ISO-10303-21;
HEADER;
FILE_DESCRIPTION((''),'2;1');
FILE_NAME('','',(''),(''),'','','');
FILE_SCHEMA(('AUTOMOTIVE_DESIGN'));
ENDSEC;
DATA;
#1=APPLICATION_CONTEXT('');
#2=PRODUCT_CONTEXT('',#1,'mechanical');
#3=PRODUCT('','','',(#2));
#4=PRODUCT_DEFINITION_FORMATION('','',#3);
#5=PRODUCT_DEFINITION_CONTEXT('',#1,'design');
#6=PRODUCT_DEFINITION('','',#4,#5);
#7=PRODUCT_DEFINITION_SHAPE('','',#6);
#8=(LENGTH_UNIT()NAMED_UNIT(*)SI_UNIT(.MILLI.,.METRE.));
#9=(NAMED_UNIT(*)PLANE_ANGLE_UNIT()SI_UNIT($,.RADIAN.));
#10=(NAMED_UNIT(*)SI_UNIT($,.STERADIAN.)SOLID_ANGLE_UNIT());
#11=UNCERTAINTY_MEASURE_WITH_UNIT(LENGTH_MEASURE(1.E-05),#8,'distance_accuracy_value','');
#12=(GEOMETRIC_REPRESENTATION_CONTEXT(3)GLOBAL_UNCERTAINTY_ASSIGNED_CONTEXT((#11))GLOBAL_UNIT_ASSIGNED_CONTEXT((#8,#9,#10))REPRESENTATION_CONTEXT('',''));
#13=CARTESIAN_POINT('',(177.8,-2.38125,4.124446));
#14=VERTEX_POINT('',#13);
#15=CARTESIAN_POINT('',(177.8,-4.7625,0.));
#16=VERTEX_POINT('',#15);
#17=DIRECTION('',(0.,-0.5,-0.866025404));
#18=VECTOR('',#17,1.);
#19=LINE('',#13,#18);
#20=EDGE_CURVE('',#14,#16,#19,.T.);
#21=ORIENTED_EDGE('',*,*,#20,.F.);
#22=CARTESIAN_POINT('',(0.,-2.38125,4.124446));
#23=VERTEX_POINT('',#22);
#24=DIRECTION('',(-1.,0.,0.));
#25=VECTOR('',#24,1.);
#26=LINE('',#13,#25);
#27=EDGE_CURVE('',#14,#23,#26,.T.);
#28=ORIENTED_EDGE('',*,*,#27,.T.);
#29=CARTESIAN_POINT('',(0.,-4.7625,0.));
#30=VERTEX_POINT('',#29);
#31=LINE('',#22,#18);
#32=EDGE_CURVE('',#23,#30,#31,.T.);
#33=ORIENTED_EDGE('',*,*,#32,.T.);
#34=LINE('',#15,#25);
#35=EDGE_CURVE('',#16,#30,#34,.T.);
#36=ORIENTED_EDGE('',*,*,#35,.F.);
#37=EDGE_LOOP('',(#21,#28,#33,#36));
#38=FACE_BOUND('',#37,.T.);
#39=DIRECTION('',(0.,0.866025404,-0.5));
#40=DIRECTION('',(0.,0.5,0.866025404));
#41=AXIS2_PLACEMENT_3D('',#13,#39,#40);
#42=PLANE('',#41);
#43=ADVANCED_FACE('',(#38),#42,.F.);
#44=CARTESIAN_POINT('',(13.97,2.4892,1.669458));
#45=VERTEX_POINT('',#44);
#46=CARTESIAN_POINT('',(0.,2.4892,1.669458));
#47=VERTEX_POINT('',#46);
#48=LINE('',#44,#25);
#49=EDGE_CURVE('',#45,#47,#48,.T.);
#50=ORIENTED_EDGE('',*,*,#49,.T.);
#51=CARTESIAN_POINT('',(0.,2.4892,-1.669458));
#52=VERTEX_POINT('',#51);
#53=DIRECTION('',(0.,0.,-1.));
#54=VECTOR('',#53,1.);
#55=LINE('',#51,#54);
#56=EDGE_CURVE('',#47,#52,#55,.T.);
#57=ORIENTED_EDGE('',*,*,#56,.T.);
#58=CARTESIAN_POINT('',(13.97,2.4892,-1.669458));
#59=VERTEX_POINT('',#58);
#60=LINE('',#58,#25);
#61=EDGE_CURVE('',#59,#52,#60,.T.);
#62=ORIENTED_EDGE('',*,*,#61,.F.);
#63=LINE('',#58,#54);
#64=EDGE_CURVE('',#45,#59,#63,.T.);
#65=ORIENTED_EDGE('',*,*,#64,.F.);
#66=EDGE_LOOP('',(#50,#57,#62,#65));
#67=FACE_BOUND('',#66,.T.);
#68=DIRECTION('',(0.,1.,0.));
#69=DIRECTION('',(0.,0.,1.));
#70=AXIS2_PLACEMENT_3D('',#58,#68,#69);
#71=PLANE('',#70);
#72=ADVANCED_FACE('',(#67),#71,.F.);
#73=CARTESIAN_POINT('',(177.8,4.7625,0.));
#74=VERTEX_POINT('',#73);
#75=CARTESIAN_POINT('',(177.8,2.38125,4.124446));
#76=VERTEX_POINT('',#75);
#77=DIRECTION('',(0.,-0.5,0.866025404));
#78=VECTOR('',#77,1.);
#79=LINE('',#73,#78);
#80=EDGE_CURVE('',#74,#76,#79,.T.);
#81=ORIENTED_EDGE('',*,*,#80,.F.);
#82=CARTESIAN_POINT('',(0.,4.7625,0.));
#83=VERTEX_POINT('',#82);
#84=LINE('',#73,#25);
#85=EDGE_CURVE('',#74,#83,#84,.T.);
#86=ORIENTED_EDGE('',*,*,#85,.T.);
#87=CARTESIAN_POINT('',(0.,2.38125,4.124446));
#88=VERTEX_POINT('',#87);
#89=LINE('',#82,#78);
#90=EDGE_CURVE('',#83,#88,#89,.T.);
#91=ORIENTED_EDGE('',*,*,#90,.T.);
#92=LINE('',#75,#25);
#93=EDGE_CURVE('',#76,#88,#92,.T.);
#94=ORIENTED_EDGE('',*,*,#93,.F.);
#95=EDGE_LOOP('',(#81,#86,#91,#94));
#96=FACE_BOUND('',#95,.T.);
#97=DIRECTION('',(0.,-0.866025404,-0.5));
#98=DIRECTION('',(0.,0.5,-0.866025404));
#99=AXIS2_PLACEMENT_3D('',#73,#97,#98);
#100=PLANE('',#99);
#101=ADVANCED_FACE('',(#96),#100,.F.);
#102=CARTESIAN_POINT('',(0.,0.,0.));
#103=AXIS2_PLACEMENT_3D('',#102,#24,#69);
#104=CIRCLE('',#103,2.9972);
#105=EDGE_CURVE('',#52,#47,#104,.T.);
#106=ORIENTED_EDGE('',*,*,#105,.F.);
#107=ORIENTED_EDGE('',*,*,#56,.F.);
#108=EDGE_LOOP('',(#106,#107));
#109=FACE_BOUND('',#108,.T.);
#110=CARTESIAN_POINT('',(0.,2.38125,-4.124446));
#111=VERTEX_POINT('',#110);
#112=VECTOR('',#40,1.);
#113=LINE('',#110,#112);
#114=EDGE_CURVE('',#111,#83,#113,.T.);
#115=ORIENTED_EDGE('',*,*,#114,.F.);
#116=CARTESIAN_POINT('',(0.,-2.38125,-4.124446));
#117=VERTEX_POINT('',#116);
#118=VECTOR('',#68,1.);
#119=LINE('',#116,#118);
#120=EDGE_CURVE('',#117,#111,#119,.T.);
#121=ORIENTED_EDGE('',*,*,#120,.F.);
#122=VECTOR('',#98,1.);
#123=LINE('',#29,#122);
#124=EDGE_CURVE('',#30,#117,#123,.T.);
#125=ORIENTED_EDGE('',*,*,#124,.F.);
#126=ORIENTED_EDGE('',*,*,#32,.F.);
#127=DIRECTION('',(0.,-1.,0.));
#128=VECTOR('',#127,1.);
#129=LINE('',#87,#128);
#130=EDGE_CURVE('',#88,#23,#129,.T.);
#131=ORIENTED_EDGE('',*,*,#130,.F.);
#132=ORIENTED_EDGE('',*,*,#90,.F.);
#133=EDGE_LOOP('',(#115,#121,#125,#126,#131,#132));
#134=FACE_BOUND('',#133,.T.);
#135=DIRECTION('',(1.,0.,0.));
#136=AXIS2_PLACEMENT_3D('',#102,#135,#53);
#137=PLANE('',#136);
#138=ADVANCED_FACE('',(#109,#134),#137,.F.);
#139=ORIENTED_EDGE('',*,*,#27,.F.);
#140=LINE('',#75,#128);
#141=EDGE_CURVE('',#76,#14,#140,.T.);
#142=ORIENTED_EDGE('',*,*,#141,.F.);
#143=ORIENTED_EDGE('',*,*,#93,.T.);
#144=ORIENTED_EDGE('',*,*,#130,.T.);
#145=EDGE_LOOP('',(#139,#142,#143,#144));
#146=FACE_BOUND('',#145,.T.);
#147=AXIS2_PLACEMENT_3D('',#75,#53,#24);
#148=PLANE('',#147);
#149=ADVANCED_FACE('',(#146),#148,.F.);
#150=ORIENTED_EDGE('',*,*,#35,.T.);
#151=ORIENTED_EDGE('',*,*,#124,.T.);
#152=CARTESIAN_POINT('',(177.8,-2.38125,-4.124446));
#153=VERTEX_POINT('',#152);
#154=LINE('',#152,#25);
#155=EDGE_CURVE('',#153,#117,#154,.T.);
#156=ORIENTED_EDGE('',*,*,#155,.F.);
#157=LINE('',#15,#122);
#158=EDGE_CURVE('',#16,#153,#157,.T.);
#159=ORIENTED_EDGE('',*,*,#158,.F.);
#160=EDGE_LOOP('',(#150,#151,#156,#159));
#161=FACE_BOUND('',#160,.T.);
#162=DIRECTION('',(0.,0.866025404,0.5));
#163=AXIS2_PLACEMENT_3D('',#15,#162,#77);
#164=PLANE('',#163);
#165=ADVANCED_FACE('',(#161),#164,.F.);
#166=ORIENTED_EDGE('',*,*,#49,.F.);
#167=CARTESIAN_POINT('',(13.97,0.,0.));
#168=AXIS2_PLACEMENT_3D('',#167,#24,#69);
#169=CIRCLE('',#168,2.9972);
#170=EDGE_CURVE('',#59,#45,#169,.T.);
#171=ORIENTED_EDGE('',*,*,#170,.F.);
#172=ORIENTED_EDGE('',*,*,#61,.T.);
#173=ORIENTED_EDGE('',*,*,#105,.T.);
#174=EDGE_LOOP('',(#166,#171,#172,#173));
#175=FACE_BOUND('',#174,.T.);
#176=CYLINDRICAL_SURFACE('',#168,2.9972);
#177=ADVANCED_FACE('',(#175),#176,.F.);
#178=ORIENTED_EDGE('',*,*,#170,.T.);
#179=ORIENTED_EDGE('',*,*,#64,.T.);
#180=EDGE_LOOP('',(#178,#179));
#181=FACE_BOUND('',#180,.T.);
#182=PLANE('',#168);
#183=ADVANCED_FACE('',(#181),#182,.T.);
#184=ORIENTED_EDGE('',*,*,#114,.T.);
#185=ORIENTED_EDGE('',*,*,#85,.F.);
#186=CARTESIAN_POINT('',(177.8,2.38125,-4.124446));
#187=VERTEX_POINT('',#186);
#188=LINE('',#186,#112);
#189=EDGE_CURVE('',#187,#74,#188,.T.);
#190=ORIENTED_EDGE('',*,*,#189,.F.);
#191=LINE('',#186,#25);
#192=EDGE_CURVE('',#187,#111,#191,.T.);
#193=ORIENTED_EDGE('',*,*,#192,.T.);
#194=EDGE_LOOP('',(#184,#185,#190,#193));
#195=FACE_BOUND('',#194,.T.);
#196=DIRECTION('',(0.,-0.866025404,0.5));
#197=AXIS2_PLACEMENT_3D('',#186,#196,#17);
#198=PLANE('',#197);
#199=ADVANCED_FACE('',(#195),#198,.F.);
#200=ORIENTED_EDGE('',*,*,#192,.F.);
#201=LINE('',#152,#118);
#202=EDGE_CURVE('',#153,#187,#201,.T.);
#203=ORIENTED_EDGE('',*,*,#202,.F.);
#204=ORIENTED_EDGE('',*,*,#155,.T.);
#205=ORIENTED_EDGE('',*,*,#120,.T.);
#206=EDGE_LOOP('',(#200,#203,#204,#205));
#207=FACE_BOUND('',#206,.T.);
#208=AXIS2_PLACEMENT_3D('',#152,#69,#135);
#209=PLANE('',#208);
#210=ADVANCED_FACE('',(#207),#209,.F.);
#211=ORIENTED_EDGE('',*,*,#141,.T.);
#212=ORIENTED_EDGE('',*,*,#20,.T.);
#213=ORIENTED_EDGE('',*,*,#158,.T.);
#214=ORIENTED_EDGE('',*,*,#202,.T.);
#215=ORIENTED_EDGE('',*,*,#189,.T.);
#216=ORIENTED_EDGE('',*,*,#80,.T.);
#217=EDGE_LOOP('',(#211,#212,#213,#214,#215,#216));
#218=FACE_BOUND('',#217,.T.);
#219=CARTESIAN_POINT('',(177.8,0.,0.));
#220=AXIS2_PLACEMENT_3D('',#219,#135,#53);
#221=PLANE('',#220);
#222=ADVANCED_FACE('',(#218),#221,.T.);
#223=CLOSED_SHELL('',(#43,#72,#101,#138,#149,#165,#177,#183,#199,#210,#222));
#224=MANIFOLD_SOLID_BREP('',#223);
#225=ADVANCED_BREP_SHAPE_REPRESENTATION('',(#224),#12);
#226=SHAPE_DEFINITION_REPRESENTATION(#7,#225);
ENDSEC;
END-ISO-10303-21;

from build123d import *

# Parameters (mm, degrees)
AXLE_DEPTH       = 177.8
DRIVE_SLOT_DEPTH = 13.97


with BuildPart() as part:
    # Hex Profile → Axle (new body)
    with BuildSketch(Plane(origin=(0, 0, 0), x_dir=(0, 0, -1), z_dir=(1, 0, 0))):
        Polygon((4.124445986, -2.38125), (4.124445986, 2.38125), (0, 4.7625), (-4.124445986, 2.38125), (-4.124445986, -2.38125), (0, -4.7625), align=None)
    extrude(amount=AXLE_DEPTH)

    # Motor Shaft Profile → Drive  Slot (cut)
    with BuildSketch(Plane.ZY):
        with BuildLine():
            Line((-1.669458355, 2.4892), (1.669458355, 2.4892))
            ThreePointArc((1.669458355, 2.4892), (0, -2.9972), (-1.669458355, 2.4892))
        make_face()
    extrude(amount=-DRIVE_SLOT_DEPTH, mode=Mode.SUBTRACT)


solid = part.part
